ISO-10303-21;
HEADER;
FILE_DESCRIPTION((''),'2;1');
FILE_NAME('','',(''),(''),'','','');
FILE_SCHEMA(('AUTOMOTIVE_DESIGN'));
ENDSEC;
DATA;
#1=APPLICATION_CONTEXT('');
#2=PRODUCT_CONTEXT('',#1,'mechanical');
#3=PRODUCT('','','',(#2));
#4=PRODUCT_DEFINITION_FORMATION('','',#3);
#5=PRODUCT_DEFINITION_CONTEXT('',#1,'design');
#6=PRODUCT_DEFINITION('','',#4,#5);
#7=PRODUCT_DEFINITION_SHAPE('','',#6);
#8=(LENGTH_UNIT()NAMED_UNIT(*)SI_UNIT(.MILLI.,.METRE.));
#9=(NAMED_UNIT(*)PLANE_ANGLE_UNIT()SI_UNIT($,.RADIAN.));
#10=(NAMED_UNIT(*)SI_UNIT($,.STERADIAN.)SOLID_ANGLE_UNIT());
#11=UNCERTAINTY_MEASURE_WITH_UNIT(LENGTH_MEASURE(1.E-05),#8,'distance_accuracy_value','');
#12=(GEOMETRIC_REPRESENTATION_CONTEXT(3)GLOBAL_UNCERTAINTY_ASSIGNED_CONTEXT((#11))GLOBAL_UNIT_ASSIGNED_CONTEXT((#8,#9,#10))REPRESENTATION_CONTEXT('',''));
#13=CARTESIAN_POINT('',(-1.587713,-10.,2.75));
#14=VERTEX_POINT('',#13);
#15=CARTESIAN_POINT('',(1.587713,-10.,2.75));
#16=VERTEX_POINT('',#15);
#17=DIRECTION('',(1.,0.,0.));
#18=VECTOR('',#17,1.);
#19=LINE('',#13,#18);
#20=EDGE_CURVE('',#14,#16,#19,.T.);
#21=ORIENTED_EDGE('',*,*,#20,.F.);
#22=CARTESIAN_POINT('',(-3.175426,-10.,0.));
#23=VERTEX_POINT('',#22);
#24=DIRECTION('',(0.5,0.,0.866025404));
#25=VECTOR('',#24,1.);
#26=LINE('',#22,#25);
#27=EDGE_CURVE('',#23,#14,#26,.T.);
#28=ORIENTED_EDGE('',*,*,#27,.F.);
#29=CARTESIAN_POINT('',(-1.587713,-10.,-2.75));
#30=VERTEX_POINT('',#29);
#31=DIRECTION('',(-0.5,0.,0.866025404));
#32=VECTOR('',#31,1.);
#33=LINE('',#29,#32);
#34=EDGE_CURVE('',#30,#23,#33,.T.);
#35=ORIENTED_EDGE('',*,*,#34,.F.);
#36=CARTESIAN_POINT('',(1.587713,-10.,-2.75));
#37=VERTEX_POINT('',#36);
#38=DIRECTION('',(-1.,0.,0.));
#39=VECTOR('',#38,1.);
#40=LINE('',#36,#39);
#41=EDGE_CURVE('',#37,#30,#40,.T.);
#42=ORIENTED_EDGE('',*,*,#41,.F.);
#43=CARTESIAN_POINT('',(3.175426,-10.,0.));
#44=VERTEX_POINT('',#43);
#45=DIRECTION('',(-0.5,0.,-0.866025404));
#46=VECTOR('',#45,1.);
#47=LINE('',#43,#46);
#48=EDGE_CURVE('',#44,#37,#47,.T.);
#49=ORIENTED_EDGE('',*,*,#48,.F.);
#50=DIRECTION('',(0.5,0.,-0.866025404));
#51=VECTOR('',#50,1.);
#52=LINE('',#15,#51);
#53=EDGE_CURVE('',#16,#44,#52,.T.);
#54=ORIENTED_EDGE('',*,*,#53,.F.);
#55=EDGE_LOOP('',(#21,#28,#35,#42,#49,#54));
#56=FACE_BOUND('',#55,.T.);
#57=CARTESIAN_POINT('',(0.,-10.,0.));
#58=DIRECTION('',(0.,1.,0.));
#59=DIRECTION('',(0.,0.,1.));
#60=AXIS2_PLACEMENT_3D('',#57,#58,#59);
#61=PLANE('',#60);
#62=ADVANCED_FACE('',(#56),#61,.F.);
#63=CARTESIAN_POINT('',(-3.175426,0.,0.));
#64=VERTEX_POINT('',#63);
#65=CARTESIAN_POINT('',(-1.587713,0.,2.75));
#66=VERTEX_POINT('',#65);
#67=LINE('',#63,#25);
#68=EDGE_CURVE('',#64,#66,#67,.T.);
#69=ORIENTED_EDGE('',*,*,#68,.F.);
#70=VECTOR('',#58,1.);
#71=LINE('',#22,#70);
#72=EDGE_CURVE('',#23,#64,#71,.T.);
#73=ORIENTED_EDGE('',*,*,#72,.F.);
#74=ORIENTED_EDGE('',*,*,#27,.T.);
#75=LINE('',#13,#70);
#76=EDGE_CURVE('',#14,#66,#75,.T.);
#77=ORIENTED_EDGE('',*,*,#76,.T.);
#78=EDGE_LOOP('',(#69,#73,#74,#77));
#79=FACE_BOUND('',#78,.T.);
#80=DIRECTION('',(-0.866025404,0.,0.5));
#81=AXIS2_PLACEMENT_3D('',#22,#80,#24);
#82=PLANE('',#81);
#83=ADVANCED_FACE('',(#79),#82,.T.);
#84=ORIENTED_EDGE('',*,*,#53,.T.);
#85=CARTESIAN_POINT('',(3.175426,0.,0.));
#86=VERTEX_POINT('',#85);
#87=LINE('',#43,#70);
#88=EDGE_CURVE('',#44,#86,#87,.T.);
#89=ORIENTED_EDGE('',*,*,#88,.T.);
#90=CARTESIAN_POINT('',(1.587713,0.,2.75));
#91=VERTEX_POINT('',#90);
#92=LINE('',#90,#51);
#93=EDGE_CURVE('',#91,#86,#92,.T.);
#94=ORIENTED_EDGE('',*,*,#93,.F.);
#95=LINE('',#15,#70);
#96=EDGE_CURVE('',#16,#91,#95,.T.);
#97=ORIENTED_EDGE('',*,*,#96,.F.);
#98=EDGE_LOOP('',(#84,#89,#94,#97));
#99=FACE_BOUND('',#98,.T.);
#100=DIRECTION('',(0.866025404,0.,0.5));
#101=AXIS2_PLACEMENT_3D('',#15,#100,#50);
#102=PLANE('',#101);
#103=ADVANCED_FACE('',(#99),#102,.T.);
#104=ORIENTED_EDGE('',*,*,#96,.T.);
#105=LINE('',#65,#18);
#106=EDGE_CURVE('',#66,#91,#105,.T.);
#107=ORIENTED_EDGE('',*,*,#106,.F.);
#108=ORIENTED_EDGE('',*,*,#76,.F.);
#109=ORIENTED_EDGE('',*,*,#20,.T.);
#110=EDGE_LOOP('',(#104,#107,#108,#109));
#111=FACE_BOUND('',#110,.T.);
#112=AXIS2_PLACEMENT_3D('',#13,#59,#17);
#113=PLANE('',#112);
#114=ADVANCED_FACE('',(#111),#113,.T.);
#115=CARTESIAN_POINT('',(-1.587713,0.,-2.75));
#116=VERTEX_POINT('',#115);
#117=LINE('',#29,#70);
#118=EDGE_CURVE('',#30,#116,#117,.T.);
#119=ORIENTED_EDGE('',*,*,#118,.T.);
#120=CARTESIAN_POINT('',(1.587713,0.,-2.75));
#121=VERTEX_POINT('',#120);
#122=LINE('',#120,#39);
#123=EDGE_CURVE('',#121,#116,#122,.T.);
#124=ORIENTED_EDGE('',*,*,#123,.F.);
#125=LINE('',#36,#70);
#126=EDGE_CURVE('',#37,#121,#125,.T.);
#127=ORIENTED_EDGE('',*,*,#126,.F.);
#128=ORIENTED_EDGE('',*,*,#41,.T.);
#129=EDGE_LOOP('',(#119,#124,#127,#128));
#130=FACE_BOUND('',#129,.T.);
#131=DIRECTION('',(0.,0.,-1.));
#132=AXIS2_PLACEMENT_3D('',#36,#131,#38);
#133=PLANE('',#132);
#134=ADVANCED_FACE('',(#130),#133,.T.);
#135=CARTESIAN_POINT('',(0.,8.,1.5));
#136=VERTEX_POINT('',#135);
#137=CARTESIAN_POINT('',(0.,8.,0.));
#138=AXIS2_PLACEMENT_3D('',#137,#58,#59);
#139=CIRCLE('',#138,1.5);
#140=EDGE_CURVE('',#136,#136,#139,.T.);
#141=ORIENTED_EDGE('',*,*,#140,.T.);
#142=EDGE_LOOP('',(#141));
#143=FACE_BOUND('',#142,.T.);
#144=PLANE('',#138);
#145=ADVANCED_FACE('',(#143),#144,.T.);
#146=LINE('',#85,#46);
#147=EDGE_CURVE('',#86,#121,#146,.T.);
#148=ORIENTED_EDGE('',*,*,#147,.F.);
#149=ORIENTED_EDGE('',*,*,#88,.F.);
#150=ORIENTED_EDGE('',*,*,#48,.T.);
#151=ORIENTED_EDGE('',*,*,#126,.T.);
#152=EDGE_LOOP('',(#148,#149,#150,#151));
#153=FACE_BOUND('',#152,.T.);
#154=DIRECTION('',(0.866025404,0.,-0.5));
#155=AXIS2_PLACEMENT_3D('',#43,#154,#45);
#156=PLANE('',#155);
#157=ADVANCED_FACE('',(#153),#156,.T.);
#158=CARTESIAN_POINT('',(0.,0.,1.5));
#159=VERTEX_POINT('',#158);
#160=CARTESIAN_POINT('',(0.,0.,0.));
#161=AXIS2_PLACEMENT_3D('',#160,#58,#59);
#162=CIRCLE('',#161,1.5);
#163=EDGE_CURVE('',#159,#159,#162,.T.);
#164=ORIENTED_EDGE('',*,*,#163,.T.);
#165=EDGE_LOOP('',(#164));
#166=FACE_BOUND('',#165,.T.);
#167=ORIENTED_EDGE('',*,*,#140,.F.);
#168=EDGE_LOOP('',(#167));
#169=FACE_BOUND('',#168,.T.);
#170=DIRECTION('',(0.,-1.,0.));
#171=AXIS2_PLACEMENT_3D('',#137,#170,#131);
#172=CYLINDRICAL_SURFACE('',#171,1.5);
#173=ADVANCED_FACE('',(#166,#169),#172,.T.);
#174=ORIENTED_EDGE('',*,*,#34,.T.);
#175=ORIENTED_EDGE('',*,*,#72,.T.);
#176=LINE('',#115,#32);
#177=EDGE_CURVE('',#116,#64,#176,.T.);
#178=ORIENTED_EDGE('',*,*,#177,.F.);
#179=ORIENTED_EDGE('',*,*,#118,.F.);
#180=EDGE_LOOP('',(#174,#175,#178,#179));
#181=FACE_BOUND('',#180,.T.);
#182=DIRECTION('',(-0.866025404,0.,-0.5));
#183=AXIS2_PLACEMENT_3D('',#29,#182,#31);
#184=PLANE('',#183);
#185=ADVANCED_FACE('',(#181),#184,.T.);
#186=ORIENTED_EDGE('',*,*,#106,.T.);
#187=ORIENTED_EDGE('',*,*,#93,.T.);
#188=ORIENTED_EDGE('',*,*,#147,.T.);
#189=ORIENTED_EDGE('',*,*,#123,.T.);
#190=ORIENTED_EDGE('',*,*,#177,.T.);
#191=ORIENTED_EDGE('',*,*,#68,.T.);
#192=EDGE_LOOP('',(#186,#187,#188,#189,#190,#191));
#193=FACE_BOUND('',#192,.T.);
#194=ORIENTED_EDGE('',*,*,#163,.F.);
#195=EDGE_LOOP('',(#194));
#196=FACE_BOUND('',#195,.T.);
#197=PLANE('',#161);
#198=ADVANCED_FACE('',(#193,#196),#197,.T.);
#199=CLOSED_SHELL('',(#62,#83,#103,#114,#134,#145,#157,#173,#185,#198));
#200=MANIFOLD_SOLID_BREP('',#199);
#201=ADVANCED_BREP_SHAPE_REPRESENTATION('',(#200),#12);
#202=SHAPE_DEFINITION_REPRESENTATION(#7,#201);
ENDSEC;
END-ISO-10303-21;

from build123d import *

# Parameters (mm, degrees)
BOSS_EXTRUDE1_DEPTH = 10
SKETCH2_R           = 1.5
BOSS_EXTRUDE2_DEPTH = 8


with BuildPart() as part:
    # Sketch1 → Boss-Extrude1 (new body)
    with BuildSketch(Plane(origin=(0, 0, 0), x_dir=(1, 0, 0), z_dir=(0, 1, 0))):
        Polygon((3.175426481, 0), (1.58771324, 2.75), (-1.58771324, 2.75), (-3.175426481, 0), (-1.58771324, -2.75), (1.58771324, -2.75), align=None)
    extrude(amount=-BOSS_EXTRUDE1_DEPTH)

    # Sketch2 → Boss-Extrude2 (add)
    with BuildSketch(Plane(origin=(0, 0, 0), x_dir=(1, 0, 0), z_dir=(0, 1, 0))):
        with Locations(Location((0, 0, 0), (0, 0, 270))):
            Circle(SKETCH2_R)
    extrude(amount=BOSS_EXTRUDE2_DEPTH)


solid = part.part
